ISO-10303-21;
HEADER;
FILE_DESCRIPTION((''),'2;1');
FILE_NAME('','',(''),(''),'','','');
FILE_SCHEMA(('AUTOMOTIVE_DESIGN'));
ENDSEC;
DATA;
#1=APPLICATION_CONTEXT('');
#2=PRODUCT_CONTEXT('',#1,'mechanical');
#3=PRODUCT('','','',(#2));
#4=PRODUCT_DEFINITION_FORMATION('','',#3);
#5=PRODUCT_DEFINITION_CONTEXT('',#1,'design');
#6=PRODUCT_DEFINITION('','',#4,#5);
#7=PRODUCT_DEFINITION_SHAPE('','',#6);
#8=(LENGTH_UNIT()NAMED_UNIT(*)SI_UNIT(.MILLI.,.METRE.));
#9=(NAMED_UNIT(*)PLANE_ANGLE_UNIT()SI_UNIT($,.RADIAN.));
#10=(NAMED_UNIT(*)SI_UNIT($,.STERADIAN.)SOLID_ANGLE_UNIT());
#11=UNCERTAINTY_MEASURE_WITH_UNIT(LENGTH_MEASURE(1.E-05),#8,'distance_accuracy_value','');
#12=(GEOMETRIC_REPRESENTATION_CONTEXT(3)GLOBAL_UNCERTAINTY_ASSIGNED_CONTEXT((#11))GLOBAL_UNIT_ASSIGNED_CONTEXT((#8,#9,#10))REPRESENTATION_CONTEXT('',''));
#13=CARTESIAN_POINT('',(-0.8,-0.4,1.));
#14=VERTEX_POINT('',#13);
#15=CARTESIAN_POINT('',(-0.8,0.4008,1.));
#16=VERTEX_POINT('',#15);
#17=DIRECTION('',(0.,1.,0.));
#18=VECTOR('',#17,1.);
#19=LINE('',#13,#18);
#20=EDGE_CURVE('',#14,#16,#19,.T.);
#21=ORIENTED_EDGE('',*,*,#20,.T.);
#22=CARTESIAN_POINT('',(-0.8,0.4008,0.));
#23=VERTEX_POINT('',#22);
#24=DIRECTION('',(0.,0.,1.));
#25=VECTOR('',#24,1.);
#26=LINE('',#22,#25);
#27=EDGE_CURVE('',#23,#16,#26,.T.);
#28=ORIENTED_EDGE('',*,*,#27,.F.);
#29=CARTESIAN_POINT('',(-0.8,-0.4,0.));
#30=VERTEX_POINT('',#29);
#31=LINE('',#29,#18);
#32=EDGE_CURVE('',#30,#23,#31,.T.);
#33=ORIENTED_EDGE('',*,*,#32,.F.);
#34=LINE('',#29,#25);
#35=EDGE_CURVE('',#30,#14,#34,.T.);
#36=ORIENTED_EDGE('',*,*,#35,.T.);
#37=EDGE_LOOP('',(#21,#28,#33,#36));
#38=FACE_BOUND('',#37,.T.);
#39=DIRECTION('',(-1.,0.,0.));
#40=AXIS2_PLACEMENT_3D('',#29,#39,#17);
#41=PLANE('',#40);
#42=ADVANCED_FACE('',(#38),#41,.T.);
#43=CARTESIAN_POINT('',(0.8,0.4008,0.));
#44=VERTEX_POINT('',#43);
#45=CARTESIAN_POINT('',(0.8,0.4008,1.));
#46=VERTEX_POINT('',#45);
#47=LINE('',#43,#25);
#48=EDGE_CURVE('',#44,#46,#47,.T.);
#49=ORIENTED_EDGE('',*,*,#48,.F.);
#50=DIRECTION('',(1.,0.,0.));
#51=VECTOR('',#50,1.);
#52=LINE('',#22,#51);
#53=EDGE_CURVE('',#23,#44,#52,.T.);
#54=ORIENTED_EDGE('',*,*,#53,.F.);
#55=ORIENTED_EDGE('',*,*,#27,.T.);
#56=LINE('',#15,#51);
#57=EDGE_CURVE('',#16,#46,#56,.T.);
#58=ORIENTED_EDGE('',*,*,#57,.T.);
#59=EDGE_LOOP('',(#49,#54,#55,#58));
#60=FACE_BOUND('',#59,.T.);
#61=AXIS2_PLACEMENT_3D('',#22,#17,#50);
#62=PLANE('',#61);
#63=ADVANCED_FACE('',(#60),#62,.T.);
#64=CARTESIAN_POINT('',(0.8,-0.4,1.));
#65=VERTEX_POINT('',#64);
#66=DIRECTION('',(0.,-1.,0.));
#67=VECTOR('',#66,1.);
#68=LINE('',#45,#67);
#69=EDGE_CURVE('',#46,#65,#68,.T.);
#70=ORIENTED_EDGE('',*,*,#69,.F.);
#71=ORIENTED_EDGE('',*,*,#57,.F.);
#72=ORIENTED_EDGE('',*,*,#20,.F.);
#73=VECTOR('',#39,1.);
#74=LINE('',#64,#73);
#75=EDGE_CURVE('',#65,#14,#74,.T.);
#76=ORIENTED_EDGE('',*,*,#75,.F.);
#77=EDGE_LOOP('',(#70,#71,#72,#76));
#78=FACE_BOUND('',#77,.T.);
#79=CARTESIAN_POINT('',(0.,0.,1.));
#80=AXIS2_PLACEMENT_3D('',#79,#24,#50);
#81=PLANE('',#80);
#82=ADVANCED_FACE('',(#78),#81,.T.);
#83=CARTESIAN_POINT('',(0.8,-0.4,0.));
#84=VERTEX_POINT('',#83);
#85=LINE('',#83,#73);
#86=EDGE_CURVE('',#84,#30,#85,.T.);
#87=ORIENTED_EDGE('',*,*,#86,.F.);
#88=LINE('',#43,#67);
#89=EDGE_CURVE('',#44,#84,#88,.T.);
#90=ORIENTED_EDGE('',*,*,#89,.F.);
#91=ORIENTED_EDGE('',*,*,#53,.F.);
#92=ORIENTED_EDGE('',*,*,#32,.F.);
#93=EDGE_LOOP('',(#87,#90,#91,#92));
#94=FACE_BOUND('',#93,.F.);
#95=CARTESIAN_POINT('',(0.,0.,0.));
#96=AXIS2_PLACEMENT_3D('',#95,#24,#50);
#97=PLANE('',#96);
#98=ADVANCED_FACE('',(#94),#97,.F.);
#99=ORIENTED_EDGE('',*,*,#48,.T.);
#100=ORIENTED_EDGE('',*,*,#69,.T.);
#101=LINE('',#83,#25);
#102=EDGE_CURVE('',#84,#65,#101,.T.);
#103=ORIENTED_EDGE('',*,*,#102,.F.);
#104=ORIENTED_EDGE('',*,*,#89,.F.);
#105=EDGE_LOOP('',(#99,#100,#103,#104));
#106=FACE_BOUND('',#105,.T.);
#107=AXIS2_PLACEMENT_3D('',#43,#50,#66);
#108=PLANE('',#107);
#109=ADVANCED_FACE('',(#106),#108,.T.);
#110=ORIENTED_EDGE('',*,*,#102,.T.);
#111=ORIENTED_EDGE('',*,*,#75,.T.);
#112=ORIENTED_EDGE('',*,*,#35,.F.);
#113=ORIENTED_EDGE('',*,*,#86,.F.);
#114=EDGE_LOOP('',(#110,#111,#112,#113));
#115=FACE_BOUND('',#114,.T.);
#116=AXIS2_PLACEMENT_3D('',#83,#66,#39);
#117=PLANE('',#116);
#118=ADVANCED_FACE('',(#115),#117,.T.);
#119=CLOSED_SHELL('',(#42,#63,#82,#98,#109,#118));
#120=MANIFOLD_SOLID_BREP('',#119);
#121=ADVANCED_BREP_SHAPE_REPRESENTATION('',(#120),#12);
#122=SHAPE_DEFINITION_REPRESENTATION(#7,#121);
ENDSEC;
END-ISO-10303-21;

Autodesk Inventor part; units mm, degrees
ref_plane "YZ Plane" through (0, 0, 0) normal (1, 0, 0) x (0, 1, 0)
ref_plane "XZ Plane" through (0, 0, 0) normal (0, 1, 0) x (-1, 0, 0)
ref_plane "XY Plane" through (0, 0, 0) normal (0, 0, 1) x (1, 0, 0)
sketch "C0603K, 1UF_13" plane through (0, 0, 0) normal (0, 0, 1) x (1, 0, 0)
  line L0 (-0.8, 0.4008) -> (0.8, 0.4008)
  line L1 (0.8, 0.4008) -> (0.8, -0.4)
  line L2 (0.8, -0.4) -> (-0.8, -0.4)
  line L3 (-0.8, -0.4) -> (-0.8, 0.4008)
extrude "Extrusion1" add sketch "C0603K, 1UF_13" along normal blind 1
properties part number "1UF"
